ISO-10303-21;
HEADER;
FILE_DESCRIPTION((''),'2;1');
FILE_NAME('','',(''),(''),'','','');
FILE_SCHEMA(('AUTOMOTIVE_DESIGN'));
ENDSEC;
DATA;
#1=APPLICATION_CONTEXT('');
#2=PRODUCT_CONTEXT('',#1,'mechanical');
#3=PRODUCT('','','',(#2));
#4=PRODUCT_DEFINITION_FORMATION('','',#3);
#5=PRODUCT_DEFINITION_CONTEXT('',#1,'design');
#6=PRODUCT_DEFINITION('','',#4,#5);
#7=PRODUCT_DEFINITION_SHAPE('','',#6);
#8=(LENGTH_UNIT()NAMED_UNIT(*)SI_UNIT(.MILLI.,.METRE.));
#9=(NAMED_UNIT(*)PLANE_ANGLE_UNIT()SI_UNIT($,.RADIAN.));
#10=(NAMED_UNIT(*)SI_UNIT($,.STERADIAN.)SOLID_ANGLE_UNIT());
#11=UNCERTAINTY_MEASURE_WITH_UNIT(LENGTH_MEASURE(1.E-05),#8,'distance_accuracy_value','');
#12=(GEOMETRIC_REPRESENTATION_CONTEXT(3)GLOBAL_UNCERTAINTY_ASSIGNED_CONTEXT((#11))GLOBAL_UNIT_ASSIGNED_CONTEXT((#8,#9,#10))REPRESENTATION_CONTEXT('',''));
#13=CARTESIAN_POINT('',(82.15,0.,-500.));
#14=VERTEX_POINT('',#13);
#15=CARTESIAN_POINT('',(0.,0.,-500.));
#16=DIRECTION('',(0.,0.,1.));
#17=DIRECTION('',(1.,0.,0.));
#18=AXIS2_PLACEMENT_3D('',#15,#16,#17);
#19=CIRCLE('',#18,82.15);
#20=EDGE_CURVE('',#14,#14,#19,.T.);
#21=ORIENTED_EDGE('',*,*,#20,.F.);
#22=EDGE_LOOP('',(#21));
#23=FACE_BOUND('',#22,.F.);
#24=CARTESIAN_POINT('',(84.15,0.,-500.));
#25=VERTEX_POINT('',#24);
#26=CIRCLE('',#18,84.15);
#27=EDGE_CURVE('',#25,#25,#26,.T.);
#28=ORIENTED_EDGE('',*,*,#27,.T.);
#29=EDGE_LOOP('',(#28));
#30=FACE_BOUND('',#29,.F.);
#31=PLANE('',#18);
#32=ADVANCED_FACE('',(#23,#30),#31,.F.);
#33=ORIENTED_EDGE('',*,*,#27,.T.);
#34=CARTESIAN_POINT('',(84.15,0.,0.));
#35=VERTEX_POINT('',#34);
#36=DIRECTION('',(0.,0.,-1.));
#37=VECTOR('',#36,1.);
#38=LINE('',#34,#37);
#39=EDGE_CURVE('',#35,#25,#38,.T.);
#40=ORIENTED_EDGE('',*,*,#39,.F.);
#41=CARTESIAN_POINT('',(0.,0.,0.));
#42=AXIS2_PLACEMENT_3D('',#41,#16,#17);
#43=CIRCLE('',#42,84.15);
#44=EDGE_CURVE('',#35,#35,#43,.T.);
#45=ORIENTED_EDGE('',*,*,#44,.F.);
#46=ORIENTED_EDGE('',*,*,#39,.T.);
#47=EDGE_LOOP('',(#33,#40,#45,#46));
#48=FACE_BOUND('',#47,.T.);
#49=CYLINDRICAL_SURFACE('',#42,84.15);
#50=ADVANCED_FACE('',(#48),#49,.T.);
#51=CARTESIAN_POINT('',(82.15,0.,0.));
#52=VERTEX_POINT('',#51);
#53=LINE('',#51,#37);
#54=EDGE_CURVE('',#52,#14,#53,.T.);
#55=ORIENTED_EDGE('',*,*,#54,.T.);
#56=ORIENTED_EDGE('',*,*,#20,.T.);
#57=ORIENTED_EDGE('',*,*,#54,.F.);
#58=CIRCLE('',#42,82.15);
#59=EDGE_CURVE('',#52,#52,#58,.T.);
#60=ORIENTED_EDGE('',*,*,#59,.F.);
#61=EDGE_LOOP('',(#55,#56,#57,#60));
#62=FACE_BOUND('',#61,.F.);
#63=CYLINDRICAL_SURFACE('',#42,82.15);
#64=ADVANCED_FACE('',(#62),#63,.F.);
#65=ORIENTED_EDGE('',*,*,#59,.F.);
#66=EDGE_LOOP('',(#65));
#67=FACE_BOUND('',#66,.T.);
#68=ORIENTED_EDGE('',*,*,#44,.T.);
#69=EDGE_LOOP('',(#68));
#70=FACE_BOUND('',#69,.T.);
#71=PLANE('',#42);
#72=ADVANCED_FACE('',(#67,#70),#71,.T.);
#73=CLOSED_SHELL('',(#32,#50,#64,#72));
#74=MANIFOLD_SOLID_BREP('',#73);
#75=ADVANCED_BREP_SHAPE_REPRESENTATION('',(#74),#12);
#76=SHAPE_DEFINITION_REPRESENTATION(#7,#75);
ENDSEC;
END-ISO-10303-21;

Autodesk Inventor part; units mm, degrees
ref_plane "YZ Plane" through (0, 0, 0) normal (1, 0, 0) x (0, 1, 0)
ref_plane "XZ Plane" through (0, 0, 0) normal (0, 1, 0) x (-1, 0, 0)
ref_plane "XY Plane" through (0, 0, 0) normal (0, 0, 1) x (1, 0, 0)
sketch "Sketch8" plane through (0, 0, 0) normal (0, 0, 1) x (1, 0, 0)
  circle A0 centre (0, 0) radius 84.15
  circle A1 centre (0, 0) radius 82.15
  dimension "d46" = 168.3
  dimension "d47" = 2
extrude "Extrusion2" add sketch "Sketch8" against normal blind 500
equation "\"BendReliefWidth\" = Thickness"
equation "\"BendReliefDepth\" = 0.5 * Thickness"
equation "\"CornerReliefSize\" = 4 * Thickness"
equation "\"MinimumRemnant\" = 2 * Thickness"
equation "\"TransitionRadius\" = BendRadius"
equation "\"JacobiRadiusSize\" = BendRadius"
equation "\"GapSize\" = Thickness"
equation "\"Octaeder_side\" = d41"
equation "\"Octaeder_flange_lenth\" = d42"
equation "\"Thickness\" = 4"
equation "\"BendRadius\" = 6"
equation "\"d41\" = 55.918831"
equation "\"d42\" = 72.5"
properties part number "DSB 211 reduce tube" material "Stainless Steel"
